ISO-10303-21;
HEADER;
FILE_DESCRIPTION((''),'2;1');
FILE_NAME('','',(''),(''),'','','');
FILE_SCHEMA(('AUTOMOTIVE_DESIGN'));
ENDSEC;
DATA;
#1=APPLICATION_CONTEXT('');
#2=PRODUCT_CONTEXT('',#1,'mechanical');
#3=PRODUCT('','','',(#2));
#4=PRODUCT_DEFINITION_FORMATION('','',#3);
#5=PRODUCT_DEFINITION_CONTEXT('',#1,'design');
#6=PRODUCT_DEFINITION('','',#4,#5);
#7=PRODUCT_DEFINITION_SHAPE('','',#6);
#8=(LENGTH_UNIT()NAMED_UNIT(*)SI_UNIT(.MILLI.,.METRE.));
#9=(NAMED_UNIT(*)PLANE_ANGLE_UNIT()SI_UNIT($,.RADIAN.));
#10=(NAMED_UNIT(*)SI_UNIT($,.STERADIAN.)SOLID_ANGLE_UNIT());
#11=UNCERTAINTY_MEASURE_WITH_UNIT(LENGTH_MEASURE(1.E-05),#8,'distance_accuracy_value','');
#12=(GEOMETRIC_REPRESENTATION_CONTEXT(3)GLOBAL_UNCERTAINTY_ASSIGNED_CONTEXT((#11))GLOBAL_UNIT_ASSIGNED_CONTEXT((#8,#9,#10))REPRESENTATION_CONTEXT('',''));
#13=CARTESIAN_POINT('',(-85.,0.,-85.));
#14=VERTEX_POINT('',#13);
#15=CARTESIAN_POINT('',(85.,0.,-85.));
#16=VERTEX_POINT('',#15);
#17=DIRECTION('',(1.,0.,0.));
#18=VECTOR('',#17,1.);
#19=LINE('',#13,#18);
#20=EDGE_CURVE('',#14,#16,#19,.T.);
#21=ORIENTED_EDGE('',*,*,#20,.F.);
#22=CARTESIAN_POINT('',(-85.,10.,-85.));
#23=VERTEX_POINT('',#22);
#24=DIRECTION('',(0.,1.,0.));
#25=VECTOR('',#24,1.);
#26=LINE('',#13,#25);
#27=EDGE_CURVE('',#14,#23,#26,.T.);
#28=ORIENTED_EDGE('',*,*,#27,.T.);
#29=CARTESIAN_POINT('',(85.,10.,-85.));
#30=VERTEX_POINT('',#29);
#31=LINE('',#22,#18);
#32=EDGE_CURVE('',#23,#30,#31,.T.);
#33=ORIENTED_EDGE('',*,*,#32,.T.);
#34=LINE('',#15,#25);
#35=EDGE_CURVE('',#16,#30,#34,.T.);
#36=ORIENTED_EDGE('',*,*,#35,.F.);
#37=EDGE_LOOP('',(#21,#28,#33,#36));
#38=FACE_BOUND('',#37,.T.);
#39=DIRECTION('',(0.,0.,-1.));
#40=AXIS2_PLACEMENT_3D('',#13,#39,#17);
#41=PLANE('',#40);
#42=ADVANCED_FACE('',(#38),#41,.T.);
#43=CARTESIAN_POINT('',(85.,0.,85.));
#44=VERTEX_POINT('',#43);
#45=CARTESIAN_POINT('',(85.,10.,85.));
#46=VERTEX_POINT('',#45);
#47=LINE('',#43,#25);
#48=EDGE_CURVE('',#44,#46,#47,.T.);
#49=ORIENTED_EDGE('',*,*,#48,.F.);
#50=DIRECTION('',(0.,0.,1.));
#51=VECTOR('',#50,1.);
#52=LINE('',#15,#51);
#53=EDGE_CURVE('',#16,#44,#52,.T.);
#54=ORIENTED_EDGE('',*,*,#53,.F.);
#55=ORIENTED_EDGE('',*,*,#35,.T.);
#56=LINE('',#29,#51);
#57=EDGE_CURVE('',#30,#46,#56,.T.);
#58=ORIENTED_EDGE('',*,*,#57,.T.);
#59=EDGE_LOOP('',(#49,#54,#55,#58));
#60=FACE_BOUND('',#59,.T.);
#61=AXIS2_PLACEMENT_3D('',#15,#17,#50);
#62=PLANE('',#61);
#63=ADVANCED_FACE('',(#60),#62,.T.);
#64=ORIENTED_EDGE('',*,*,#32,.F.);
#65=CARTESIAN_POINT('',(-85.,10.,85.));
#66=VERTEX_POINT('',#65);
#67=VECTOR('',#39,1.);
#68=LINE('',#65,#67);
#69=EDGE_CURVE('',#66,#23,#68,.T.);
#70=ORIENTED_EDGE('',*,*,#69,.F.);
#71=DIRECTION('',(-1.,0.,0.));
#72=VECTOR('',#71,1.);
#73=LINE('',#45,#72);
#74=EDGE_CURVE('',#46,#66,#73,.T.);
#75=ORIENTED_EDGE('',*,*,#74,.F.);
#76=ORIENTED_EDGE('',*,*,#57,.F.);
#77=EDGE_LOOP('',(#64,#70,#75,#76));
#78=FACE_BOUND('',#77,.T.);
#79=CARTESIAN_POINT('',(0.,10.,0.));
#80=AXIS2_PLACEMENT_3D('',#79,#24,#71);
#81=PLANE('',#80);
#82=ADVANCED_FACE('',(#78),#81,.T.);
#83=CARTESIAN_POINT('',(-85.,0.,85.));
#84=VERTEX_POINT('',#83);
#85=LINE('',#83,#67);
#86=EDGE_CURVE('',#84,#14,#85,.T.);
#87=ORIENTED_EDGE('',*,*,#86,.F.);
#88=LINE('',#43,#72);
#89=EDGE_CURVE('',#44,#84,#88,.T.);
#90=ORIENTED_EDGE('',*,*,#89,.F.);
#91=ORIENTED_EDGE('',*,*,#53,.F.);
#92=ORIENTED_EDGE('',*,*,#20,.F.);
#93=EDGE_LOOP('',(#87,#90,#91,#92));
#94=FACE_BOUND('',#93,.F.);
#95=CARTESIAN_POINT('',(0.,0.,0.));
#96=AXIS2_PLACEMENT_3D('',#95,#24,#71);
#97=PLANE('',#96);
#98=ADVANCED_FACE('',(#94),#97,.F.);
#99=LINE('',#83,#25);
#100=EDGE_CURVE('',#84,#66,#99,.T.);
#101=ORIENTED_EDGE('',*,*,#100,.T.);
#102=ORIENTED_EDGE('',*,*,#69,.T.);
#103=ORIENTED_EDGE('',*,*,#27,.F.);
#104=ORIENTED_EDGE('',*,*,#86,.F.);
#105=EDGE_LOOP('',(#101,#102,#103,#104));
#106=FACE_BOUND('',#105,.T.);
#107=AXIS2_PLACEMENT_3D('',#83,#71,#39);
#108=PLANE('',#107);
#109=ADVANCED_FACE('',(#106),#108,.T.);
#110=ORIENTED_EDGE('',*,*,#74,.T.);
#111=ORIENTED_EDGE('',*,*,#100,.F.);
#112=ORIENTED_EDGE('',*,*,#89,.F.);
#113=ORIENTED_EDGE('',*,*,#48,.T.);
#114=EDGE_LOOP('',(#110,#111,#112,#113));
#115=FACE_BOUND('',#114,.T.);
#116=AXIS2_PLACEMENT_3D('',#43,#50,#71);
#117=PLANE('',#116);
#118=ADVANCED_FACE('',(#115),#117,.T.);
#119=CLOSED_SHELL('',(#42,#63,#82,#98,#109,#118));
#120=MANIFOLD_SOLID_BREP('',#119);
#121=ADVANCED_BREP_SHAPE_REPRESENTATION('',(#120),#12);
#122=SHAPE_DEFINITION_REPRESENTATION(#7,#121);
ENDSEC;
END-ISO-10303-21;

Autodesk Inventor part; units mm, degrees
ref_plane "YZ Plane" through (0, 0, 0) normal (1, 0, 0) x (0, 1, 0)
ref_plane "XZ Plane" through (0, 0, 0) normal (0, 1, 0) x (-1, 0, 0)
ref_plane "XY Plane" through (0, 0, 0) normal (0, 0, 1) x (1, 0, 0)
sketch "Sketch1" plane through (0, 0, 0) normal (0, 1, 0) x (-1, 0, 0)
  line L0 (-85, 85) -> (85, 85)
  line L1 (85, 85) -> (85, -85)
  line L2 (85, -85) -> (-85, -85)
  line L3 (-85, -85) -> (-85, 85)
  line L4 (-85, 85) -> (85, -85) construction
  line L5 (85, 85) -> (-85, -85) construction
  point P0 (0, 0)
  dimension "d0" = 170
  dimension "d1" = 170
extrude "Extrusion1" add sketch "Sketch1" along normal blind 10
properties part number "Gel"
